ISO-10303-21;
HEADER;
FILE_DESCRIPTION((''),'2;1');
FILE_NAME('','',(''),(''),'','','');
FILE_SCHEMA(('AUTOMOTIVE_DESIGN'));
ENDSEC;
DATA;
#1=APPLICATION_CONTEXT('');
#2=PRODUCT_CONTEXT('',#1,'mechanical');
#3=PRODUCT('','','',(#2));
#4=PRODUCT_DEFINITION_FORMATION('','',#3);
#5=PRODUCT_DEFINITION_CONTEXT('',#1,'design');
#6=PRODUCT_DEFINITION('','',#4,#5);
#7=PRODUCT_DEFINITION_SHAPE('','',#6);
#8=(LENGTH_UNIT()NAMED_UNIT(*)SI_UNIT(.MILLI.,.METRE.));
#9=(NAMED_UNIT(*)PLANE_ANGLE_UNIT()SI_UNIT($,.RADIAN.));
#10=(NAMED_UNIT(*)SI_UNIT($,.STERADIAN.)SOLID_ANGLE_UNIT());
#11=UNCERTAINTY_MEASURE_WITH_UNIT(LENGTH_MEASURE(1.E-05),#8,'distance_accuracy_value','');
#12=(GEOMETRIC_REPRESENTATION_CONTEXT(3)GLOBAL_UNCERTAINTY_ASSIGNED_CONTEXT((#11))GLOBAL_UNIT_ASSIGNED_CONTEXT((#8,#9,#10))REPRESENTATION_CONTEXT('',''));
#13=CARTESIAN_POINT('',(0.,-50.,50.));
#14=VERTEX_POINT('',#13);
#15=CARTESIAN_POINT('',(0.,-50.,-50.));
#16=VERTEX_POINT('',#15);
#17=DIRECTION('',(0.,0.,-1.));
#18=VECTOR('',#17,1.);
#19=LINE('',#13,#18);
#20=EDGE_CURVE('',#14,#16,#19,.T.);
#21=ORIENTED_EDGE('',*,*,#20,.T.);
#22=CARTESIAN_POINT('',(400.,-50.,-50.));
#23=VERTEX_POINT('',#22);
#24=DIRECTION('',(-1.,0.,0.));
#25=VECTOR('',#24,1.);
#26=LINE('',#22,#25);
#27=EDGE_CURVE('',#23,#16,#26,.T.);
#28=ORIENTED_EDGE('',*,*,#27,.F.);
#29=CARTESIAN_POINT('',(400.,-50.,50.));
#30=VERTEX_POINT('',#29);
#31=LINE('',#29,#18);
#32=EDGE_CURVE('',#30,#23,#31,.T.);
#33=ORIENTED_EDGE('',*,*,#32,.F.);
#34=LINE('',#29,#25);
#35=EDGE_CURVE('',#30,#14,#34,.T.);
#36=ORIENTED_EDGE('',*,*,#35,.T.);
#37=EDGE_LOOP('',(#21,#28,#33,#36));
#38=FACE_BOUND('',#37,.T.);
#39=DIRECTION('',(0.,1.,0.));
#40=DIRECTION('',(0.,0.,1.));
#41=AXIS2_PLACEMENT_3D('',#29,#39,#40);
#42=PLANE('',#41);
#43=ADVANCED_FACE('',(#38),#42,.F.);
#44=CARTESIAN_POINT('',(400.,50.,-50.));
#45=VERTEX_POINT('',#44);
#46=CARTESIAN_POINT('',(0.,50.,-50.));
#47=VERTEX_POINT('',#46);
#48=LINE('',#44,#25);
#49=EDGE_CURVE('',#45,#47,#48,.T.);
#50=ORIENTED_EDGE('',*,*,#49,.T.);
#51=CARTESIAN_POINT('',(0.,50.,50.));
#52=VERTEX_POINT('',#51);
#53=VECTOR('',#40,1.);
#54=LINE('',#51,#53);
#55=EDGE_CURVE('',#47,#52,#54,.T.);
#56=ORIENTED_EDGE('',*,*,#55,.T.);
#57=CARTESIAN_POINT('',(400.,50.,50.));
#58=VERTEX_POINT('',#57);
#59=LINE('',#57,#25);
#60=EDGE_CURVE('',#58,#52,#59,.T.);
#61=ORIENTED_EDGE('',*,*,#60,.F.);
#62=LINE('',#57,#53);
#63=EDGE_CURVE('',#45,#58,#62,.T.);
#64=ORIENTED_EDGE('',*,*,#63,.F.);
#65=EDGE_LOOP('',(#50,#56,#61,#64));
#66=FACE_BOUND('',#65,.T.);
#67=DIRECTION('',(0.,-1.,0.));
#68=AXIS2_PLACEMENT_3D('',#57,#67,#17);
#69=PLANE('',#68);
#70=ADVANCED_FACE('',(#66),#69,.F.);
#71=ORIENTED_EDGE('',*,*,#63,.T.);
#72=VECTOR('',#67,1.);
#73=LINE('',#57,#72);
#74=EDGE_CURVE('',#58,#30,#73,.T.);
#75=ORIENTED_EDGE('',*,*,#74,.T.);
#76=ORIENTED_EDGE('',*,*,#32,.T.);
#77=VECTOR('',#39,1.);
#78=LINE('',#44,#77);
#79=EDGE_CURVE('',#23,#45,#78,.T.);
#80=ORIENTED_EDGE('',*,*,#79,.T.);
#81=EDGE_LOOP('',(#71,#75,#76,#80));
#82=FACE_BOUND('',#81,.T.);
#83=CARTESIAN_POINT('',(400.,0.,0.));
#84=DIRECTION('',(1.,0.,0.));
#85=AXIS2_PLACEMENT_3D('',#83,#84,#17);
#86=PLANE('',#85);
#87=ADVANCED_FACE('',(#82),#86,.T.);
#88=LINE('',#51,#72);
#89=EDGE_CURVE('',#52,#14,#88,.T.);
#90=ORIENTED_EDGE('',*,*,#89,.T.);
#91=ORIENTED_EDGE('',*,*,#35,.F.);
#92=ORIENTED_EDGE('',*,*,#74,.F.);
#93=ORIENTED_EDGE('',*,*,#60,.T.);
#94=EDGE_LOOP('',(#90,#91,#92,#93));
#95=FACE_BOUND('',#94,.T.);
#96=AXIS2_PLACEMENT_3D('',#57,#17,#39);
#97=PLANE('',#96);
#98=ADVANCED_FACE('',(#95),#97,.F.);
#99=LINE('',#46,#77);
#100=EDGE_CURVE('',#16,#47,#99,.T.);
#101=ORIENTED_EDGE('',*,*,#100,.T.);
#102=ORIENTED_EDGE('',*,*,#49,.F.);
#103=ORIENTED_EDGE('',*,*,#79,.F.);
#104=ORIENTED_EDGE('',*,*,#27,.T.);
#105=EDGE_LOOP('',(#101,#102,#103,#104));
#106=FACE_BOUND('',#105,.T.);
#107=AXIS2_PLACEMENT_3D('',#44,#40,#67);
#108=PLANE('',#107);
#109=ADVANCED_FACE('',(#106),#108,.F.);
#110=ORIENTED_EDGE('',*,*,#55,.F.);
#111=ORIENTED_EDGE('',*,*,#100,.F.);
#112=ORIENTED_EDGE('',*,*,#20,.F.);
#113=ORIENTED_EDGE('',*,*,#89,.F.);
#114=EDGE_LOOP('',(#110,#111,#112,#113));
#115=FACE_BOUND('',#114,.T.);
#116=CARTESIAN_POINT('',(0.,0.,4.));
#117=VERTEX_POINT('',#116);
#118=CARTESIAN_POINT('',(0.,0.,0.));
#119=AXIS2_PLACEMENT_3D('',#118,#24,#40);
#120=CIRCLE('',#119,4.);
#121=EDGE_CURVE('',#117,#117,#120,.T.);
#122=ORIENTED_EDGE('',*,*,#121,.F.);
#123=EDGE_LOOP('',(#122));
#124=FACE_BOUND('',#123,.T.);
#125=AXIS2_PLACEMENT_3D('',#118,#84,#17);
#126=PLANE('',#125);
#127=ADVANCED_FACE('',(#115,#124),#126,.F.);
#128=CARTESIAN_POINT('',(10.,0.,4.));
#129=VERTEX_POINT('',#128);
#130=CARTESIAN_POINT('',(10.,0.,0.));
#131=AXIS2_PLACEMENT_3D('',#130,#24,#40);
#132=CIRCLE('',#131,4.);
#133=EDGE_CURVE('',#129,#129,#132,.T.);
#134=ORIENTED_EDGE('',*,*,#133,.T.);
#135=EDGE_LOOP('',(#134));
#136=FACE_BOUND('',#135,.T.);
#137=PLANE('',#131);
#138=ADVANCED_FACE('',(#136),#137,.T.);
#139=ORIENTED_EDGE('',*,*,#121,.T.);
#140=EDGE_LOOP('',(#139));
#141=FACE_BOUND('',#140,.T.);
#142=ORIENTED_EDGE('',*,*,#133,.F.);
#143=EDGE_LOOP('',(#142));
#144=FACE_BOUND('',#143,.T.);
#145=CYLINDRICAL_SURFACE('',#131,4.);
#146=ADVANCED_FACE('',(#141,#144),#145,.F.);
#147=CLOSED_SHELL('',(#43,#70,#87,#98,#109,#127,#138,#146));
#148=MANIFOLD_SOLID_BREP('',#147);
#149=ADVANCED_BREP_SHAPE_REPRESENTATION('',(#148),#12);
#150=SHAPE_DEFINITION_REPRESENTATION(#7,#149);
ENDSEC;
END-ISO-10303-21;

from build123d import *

# Parameters (mm, degrees)
SKETCH1_W           = 100
SKETCH1_H           = 100
BOSS_EXTRUDE1_DEPTH = 400
SKETCH2_R           = 4
CUT_EXTRUDE1_DEPTH  = 10


with BuildPart() as part:
    # Sketch1 → Boss-Extrude1 (new body)
    with BuildSketch(Plane(origin=(0, 0, 0), x_dir=(0, 0, -1), z_dir=(1, 0, 0))):
        Rectangle(SKETCH1_W, SKETCH1_H)
    extrude(amount=BOSS_EXTRUDE1_DEPTH)

    # Sketch2 → Cut-Extrude1 (cut)
    with BuildSketch(Plane.ZY):
        Circle(SKETCH2_R)
    extrude(amount=-CUT_EXTRUDE1_DEPTH, mode=Mode.SUBTRACT)


solid = part.part
